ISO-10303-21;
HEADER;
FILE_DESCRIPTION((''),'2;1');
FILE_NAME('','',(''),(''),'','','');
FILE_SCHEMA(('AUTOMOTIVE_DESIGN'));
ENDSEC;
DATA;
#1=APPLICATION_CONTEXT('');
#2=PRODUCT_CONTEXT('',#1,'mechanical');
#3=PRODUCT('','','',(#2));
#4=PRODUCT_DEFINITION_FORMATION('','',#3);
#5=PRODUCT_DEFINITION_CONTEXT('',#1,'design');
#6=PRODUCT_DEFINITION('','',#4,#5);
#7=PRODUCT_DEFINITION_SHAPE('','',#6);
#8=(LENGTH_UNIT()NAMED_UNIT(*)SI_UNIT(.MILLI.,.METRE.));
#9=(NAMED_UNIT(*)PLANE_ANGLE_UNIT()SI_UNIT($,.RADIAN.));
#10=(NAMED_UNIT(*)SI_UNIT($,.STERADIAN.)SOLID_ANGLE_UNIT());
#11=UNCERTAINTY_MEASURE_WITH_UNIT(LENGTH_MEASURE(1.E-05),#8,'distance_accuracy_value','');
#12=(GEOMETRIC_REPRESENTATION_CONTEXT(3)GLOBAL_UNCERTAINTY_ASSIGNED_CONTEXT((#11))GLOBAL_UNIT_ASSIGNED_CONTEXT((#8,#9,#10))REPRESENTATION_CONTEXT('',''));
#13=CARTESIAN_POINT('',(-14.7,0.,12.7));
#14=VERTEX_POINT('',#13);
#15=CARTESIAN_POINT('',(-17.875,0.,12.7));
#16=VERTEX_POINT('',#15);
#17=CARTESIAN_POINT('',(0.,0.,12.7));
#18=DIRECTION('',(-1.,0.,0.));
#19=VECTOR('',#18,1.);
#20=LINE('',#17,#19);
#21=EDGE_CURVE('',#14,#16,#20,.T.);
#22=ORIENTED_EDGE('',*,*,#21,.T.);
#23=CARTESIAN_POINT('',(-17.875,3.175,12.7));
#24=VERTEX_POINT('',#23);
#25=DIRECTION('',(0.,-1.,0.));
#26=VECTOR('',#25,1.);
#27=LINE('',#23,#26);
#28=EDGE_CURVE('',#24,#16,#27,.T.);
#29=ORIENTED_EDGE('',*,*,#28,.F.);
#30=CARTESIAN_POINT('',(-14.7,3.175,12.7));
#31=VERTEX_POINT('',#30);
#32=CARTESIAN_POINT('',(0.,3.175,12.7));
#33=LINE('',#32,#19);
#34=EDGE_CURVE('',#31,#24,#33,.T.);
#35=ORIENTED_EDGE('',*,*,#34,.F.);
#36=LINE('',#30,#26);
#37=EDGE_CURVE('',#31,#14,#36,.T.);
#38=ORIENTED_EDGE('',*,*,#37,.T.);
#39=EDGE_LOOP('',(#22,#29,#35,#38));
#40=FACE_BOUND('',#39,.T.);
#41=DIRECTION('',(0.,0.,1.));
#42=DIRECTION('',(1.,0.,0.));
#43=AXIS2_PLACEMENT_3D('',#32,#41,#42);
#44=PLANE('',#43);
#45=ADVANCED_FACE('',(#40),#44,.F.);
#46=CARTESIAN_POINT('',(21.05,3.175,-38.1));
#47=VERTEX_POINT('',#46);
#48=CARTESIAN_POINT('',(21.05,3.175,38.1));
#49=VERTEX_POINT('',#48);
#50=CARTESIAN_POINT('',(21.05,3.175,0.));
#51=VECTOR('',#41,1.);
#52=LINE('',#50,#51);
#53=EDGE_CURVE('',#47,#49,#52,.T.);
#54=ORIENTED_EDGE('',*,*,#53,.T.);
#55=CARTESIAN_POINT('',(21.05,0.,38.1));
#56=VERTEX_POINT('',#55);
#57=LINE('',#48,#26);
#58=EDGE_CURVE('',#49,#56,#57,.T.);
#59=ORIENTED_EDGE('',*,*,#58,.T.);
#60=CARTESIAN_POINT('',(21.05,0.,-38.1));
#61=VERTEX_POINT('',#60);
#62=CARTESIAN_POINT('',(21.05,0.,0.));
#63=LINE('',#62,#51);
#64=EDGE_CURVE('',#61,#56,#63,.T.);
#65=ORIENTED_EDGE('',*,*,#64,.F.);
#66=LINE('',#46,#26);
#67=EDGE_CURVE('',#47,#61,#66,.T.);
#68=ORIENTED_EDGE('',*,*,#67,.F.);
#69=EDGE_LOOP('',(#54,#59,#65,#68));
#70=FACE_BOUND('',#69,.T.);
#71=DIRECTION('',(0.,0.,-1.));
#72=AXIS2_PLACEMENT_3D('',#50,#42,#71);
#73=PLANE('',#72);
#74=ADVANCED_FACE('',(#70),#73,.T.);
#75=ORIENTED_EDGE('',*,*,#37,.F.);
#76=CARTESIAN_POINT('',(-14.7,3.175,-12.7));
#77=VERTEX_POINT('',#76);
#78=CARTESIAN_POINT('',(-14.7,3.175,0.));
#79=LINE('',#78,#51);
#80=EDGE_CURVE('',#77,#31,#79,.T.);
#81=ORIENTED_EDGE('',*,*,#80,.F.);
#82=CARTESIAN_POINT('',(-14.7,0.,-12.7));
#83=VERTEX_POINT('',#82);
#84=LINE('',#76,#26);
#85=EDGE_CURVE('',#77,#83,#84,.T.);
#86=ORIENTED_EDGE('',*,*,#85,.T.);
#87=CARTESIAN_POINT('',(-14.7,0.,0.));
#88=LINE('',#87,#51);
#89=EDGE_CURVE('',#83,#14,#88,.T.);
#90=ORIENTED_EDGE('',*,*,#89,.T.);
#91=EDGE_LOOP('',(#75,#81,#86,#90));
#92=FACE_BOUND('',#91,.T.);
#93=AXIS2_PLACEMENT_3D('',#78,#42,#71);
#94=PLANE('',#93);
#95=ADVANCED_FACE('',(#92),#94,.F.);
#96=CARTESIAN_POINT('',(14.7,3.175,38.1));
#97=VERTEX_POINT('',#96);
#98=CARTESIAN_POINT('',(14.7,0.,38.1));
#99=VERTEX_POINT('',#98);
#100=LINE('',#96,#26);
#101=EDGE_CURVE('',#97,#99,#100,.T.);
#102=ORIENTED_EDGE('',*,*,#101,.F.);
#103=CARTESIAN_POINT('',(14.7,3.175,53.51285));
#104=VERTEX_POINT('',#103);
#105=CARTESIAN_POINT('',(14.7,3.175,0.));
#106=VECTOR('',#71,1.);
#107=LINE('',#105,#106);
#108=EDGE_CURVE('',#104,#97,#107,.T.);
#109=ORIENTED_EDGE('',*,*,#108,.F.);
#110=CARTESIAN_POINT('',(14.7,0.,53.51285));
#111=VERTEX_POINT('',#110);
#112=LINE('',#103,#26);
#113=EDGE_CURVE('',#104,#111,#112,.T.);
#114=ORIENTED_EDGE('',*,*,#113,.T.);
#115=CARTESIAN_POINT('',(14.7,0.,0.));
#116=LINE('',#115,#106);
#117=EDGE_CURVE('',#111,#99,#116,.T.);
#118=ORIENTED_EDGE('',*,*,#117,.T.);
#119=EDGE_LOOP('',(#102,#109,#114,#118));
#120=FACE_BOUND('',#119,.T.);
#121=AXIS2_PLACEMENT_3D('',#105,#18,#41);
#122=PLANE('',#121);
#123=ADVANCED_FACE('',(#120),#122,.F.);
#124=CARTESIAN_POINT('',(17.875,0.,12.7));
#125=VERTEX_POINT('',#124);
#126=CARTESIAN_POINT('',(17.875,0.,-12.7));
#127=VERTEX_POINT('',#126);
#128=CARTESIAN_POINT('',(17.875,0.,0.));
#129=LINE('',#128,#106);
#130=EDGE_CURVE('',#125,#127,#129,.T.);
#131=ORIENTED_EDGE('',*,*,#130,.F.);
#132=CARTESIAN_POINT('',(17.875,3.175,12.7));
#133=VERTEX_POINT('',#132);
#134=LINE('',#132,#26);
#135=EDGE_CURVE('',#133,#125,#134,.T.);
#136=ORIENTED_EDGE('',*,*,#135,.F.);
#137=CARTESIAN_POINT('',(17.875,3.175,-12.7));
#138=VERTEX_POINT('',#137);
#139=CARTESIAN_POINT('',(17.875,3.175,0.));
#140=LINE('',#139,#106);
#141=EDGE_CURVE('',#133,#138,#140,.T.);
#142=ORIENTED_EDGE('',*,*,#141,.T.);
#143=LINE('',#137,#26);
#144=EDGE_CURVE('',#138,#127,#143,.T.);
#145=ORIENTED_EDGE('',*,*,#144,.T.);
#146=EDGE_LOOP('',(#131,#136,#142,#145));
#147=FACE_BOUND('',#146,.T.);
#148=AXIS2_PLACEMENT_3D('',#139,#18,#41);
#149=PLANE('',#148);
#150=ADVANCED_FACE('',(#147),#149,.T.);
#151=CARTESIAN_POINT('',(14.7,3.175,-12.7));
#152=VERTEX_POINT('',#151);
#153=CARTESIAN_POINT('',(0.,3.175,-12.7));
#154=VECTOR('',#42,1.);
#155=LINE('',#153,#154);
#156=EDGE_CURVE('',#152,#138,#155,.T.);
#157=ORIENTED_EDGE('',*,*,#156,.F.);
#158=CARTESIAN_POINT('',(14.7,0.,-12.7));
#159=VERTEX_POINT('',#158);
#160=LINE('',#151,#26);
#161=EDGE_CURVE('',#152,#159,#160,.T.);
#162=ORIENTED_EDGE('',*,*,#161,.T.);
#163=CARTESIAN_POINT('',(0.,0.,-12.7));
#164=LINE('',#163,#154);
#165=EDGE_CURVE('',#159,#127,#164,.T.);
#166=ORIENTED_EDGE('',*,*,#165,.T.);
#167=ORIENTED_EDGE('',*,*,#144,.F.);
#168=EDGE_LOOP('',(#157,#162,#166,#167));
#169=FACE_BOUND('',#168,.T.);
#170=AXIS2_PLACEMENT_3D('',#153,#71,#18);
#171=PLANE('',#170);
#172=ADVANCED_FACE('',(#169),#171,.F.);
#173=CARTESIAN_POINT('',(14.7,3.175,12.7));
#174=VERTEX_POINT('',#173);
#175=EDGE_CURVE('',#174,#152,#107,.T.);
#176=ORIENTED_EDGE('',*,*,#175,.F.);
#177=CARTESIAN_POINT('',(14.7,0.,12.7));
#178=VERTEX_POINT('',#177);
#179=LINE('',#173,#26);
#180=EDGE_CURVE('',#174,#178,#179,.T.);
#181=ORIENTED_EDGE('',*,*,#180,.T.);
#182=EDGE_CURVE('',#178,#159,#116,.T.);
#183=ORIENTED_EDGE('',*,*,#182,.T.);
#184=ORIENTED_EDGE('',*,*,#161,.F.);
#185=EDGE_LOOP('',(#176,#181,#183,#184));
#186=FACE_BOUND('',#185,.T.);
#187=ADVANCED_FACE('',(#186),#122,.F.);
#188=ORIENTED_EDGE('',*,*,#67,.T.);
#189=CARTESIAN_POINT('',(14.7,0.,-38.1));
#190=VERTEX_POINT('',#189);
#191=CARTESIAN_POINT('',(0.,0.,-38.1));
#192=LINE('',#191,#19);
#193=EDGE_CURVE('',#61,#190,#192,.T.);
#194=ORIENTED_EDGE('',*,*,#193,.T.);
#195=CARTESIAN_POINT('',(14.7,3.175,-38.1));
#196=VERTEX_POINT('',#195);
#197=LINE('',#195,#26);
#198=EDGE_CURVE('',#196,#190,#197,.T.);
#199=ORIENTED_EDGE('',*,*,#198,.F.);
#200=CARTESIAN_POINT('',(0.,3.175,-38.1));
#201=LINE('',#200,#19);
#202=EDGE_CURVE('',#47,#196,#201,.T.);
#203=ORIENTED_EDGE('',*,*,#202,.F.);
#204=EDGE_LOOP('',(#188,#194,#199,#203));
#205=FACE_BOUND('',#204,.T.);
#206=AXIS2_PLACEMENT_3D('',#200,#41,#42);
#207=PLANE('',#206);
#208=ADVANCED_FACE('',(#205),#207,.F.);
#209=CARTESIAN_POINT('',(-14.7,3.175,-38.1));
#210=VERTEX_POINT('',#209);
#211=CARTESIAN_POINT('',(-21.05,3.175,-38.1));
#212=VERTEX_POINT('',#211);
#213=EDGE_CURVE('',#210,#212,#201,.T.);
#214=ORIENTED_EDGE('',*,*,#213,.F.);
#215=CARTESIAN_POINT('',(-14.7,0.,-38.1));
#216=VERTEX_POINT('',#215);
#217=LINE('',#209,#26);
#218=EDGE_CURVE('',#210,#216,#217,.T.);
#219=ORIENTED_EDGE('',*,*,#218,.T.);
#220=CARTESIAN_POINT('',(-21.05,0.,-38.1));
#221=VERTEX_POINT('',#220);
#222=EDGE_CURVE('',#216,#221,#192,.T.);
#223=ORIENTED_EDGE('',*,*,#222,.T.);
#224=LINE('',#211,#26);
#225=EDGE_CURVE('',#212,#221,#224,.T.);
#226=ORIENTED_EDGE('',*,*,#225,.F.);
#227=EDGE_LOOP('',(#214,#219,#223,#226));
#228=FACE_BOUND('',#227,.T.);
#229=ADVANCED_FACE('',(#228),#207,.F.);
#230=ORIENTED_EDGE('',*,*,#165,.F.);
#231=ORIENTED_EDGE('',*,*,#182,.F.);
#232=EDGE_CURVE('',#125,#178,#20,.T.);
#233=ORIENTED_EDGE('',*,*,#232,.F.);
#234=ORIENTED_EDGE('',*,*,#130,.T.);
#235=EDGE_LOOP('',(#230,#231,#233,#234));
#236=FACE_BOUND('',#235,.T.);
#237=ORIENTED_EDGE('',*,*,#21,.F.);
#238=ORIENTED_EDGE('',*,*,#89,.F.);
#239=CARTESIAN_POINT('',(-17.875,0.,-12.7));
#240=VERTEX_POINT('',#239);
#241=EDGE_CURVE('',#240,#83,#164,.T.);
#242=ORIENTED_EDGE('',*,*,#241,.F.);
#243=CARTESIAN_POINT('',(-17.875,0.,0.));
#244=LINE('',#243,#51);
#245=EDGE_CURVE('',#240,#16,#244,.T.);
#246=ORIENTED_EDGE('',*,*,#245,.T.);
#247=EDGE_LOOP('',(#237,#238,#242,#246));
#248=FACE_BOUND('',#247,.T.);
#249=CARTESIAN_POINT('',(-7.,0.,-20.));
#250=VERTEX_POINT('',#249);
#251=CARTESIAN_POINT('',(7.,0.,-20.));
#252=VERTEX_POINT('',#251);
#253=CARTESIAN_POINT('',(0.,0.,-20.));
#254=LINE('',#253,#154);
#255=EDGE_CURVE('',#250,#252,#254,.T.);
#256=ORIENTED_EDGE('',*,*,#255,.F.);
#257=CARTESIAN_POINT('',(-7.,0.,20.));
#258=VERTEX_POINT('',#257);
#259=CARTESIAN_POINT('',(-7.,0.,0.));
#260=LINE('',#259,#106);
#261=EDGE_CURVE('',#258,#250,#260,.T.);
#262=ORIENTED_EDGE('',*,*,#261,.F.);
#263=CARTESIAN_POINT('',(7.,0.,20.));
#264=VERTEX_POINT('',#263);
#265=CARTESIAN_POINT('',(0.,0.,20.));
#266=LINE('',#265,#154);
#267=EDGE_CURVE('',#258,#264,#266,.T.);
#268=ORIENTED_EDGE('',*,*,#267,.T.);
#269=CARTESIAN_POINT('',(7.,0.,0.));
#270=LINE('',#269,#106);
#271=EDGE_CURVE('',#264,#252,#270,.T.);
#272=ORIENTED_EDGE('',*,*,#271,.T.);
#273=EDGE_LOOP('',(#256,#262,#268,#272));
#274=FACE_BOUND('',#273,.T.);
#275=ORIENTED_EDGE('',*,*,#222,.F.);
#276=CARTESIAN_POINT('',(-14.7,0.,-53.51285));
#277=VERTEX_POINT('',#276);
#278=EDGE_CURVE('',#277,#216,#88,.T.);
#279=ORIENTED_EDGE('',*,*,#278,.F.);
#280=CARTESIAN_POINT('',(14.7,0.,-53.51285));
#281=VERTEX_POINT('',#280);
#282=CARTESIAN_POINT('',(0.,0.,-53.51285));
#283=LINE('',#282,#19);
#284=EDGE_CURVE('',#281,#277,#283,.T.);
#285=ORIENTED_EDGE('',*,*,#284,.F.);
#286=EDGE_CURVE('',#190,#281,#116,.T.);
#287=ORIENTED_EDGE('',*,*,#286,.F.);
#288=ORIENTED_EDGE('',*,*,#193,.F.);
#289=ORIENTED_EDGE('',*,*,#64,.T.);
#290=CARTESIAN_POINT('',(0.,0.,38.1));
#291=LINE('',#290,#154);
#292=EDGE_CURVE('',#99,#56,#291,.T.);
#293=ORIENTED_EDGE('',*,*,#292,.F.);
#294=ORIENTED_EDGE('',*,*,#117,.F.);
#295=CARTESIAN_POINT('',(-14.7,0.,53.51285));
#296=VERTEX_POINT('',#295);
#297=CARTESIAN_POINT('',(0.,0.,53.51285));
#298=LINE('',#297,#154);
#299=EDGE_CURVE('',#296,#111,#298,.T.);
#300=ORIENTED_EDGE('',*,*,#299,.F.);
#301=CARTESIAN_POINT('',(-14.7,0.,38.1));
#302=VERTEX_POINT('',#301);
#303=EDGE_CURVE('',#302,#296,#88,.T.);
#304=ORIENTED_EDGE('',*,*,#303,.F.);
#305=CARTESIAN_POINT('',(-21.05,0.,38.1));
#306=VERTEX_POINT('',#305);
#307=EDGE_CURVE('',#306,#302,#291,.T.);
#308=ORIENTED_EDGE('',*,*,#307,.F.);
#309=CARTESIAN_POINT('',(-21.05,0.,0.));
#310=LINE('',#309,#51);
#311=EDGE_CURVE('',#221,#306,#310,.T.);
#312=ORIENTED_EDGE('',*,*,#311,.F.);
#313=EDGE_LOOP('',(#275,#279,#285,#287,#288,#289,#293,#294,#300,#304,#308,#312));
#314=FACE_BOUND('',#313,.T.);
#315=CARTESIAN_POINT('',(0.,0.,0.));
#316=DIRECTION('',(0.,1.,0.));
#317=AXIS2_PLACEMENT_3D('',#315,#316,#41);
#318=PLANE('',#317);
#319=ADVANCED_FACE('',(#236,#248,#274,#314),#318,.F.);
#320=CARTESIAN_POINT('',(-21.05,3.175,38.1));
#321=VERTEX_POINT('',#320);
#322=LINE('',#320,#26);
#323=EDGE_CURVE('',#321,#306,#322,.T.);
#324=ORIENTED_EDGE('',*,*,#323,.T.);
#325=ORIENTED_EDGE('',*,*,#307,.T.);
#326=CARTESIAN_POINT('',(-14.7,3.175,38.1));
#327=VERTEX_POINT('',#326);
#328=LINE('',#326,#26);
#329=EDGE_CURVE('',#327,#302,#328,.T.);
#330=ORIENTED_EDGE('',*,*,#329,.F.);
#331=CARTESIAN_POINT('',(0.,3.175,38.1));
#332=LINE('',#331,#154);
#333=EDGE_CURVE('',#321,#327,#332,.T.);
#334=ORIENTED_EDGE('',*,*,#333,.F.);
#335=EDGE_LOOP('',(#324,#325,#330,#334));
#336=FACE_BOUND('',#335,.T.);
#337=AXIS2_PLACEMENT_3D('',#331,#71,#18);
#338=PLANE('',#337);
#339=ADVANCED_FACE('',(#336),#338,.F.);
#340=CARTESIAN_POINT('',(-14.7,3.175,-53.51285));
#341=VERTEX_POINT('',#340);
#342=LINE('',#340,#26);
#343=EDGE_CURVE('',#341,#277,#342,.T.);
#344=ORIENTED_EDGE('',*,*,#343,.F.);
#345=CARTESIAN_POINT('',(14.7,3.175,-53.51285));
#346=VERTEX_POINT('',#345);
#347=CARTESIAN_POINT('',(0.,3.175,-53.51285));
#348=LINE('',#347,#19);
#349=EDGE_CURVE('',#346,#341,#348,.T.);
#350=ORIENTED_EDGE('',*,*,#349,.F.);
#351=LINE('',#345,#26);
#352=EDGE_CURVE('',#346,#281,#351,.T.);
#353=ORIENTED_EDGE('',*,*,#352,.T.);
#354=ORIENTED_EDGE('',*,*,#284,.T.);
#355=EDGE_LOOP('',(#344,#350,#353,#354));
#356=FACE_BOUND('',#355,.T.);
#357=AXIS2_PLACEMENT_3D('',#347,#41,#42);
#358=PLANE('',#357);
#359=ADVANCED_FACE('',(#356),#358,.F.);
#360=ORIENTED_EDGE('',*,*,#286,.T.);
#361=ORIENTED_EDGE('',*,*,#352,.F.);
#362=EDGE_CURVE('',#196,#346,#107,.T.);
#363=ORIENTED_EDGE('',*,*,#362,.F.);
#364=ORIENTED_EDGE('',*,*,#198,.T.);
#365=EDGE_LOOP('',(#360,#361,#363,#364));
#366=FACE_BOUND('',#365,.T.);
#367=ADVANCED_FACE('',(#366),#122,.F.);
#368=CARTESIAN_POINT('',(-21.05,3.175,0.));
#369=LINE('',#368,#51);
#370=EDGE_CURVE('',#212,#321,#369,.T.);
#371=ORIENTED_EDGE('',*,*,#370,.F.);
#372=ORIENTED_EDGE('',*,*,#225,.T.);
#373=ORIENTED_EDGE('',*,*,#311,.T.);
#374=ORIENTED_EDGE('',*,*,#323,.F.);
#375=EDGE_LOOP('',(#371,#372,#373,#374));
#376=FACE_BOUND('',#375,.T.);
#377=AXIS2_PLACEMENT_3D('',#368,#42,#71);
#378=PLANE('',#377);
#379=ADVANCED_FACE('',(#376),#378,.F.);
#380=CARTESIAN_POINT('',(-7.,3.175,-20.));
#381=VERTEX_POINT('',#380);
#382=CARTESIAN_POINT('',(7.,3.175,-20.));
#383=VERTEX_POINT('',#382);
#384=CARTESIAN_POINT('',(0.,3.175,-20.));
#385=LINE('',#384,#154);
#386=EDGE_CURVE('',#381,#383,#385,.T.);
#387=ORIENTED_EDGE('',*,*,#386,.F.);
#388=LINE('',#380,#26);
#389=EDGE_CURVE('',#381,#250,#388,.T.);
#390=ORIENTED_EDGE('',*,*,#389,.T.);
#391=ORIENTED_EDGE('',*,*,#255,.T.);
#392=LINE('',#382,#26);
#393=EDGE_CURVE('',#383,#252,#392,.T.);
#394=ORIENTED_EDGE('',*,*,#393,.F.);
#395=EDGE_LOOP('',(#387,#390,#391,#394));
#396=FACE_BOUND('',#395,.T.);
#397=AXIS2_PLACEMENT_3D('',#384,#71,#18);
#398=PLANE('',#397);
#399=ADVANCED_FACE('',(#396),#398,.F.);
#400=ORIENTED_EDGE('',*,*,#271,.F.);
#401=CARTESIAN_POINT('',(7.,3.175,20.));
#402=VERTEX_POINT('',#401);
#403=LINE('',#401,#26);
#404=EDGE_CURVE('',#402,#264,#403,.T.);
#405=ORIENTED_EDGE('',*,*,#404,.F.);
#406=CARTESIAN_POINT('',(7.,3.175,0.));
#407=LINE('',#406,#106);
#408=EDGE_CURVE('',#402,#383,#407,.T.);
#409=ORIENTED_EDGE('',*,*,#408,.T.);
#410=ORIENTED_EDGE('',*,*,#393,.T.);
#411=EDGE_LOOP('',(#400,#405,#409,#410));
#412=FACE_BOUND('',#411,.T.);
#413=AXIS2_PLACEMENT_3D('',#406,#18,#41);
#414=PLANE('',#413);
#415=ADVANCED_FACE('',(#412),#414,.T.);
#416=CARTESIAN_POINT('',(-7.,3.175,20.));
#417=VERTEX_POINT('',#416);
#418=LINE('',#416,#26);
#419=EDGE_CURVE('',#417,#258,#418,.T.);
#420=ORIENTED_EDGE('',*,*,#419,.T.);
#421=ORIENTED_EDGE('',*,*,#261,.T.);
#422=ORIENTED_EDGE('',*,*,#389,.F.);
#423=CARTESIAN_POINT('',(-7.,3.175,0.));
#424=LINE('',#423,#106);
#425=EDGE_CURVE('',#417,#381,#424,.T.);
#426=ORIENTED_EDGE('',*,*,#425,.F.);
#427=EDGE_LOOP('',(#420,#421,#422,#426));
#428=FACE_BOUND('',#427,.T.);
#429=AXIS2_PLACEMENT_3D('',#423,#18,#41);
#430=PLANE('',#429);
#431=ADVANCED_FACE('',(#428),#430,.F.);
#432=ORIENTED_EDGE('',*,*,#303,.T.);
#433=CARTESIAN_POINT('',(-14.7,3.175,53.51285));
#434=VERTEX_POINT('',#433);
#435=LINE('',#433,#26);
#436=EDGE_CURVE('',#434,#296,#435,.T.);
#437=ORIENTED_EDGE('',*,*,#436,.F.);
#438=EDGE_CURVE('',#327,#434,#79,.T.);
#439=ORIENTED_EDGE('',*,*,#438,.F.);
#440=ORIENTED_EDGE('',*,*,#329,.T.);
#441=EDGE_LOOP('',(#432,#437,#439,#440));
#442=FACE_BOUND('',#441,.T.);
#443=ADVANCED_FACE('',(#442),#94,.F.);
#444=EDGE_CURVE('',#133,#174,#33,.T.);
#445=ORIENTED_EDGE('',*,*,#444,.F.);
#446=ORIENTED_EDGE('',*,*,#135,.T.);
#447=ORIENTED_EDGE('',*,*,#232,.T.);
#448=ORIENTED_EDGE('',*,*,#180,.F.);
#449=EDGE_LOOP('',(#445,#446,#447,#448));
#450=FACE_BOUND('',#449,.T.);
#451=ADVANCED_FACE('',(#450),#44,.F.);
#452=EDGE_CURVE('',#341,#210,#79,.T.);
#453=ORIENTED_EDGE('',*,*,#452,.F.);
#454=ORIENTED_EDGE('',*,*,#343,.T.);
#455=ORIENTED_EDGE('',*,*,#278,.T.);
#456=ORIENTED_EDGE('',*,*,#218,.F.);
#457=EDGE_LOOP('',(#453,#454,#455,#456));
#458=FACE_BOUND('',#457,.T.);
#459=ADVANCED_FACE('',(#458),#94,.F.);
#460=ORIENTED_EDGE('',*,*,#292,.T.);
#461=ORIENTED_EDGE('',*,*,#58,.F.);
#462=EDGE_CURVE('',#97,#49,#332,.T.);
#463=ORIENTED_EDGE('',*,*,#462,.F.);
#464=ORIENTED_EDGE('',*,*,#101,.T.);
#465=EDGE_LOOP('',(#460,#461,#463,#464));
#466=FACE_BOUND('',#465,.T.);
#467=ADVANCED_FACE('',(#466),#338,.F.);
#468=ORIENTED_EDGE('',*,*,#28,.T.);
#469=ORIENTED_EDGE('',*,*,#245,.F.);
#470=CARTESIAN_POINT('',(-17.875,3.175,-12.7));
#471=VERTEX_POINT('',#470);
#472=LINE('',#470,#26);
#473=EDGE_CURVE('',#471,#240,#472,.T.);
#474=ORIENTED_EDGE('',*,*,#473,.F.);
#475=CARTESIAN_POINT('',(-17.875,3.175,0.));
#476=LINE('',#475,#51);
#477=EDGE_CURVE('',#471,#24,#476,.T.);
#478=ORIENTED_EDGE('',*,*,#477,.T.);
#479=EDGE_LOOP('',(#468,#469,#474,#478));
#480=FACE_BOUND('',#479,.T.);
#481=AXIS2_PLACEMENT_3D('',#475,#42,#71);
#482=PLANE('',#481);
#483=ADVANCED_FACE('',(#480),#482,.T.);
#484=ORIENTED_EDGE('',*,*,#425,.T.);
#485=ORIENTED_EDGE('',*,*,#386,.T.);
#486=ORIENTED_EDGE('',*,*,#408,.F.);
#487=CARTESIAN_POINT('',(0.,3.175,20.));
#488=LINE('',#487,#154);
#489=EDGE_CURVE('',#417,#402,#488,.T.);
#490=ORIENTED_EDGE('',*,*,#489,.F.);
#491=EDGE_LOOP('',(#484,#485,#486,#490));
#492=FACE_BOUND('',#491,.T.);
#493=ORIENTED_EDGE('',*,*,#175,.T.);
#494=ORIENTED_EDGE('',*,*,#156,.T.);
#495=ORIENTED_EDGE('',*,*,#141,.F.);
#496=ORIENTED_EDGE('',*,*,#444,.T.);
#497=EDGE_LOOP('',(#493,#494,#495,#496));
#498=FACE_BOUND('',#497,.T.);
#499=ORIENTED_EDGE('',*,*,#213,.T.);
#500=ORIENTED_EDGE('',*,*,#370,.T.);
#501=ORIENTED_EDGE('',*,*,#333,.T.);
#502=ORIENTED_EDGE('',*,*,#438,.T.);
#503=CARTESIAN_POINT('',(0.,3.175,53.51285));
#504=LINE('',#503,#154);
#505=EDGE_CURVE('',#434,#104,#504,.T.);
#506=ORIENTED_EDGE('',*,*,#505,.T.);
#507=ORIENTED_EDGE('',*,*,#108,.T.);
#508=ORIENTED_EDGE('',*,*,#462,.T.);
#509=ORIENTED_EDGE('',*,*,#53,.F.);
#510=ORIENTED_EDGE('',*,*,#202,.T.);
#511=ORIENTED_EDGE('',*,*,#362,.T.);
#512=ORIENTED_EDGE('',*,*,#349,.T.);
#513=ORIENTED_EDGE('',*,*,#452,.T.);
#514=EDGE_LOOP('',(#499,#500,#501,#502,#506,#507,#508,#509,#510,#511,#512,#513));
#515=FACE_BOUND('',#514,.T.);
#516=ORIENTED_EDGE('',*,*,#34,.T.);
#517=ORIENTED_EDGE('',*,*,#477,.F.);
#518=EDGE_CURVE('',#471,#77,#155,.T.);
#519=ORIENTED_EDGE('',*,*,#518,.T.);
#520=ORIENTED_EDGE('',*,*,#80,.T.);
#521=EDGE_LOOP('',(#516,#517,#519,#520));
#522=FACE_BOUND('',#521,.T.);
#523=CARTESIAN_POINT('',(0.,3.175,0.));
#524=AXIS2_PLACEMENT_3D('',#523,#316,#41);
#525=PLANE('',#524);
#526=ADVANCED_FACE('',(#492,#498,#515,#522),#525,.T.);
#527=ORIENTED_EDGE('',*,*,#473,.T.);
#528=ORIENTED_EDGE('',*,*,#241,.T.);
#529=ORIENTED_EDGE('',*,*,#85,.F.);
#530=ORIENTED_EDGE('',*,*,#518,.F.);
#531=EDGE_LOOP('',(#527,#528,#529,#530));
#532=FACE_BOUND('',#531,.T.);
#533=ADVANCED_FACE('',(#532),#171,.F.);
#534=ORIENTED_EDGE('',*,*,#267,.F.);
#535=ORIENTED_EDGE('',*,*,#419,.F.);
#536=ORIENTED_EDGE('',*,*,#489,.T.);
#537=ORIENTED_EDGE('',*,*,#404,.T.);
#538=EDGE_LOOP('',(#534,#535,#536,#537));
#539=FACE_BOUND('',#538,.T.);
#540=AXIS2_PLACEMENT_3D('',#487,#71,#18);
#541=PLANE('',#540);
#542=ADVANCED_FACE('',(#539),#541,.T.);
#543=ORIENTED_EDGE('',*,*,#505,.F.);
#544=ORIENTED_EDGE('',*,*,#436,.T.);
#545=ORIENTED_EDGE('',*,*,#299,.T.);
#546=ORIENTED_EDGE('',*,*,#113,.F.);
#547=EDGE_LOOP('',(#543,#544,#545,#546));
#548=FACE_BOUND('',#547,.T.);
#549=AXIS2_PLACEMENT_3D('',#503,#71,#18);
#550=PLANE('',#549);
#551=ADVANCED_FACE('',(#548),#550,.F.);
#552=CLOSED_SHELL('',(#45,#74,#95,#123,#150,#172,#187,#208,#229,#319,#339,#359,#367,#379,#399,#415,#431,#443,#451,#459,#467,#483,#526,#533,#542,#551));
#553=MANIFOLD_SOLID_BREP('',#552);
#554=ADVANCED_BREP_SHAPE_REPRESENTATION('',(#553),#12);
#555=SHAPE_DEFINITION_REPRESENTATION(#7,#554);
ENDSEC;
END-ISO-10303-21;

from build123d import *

# Parameters (mm, degrees)
SKETCH1_W           = 14
SKETCH1_H           = 40
BOSS_EXTRUDE1_DEPTH = 3.175


with BuildPart() as part:
    # Sketch1 → Boss-Extrude1 (new body)
    with BuildSketch(Plane(origin=(0, 0, 0), x_dir=(1, 0, 0), z_dir=(0, 1, 0))):
        Polygon((-17.875, -38.1), (-14.7, -38.1), (-14.7, -53.51285), (14.7, -53.51285), (14.7, -38.1), (17.875, -38.1), (17.875, -12.7), (14.7, -12.7), (14.7, 12.7), (17.875, 12.7), (17.875, 38.1), (14.7, 38.1), (14.7, 53.51285), (-14.7, 53.51285), (-14.7, 38.1), (-17.875, 38.1), (-17.875, 12.7), (-14.7, 12.7), (-14.7, -12.7), (-17.875, -12.7), align=None)
        Rectangle(SKETCH1_W, SKETCH1_H, mode=Mode.SUBTRACT)
        Polygon((-21.05, -38.1), (-17.875, -38.1), (-17.875, -12.7), (-17.875, 12.7), (-17.875, 38.1), (-21.05, 38.1), align=None)
        Polygon((17.875, -12.7), (17.875, -38.1), (21.05, -38.1), (21.05, 38.1), (17.875, 38.1), (17.875, 12.7), align=None)
    extrude(amount=BOSS_EXTRUDE1_DEPTH)


solid = part.part
